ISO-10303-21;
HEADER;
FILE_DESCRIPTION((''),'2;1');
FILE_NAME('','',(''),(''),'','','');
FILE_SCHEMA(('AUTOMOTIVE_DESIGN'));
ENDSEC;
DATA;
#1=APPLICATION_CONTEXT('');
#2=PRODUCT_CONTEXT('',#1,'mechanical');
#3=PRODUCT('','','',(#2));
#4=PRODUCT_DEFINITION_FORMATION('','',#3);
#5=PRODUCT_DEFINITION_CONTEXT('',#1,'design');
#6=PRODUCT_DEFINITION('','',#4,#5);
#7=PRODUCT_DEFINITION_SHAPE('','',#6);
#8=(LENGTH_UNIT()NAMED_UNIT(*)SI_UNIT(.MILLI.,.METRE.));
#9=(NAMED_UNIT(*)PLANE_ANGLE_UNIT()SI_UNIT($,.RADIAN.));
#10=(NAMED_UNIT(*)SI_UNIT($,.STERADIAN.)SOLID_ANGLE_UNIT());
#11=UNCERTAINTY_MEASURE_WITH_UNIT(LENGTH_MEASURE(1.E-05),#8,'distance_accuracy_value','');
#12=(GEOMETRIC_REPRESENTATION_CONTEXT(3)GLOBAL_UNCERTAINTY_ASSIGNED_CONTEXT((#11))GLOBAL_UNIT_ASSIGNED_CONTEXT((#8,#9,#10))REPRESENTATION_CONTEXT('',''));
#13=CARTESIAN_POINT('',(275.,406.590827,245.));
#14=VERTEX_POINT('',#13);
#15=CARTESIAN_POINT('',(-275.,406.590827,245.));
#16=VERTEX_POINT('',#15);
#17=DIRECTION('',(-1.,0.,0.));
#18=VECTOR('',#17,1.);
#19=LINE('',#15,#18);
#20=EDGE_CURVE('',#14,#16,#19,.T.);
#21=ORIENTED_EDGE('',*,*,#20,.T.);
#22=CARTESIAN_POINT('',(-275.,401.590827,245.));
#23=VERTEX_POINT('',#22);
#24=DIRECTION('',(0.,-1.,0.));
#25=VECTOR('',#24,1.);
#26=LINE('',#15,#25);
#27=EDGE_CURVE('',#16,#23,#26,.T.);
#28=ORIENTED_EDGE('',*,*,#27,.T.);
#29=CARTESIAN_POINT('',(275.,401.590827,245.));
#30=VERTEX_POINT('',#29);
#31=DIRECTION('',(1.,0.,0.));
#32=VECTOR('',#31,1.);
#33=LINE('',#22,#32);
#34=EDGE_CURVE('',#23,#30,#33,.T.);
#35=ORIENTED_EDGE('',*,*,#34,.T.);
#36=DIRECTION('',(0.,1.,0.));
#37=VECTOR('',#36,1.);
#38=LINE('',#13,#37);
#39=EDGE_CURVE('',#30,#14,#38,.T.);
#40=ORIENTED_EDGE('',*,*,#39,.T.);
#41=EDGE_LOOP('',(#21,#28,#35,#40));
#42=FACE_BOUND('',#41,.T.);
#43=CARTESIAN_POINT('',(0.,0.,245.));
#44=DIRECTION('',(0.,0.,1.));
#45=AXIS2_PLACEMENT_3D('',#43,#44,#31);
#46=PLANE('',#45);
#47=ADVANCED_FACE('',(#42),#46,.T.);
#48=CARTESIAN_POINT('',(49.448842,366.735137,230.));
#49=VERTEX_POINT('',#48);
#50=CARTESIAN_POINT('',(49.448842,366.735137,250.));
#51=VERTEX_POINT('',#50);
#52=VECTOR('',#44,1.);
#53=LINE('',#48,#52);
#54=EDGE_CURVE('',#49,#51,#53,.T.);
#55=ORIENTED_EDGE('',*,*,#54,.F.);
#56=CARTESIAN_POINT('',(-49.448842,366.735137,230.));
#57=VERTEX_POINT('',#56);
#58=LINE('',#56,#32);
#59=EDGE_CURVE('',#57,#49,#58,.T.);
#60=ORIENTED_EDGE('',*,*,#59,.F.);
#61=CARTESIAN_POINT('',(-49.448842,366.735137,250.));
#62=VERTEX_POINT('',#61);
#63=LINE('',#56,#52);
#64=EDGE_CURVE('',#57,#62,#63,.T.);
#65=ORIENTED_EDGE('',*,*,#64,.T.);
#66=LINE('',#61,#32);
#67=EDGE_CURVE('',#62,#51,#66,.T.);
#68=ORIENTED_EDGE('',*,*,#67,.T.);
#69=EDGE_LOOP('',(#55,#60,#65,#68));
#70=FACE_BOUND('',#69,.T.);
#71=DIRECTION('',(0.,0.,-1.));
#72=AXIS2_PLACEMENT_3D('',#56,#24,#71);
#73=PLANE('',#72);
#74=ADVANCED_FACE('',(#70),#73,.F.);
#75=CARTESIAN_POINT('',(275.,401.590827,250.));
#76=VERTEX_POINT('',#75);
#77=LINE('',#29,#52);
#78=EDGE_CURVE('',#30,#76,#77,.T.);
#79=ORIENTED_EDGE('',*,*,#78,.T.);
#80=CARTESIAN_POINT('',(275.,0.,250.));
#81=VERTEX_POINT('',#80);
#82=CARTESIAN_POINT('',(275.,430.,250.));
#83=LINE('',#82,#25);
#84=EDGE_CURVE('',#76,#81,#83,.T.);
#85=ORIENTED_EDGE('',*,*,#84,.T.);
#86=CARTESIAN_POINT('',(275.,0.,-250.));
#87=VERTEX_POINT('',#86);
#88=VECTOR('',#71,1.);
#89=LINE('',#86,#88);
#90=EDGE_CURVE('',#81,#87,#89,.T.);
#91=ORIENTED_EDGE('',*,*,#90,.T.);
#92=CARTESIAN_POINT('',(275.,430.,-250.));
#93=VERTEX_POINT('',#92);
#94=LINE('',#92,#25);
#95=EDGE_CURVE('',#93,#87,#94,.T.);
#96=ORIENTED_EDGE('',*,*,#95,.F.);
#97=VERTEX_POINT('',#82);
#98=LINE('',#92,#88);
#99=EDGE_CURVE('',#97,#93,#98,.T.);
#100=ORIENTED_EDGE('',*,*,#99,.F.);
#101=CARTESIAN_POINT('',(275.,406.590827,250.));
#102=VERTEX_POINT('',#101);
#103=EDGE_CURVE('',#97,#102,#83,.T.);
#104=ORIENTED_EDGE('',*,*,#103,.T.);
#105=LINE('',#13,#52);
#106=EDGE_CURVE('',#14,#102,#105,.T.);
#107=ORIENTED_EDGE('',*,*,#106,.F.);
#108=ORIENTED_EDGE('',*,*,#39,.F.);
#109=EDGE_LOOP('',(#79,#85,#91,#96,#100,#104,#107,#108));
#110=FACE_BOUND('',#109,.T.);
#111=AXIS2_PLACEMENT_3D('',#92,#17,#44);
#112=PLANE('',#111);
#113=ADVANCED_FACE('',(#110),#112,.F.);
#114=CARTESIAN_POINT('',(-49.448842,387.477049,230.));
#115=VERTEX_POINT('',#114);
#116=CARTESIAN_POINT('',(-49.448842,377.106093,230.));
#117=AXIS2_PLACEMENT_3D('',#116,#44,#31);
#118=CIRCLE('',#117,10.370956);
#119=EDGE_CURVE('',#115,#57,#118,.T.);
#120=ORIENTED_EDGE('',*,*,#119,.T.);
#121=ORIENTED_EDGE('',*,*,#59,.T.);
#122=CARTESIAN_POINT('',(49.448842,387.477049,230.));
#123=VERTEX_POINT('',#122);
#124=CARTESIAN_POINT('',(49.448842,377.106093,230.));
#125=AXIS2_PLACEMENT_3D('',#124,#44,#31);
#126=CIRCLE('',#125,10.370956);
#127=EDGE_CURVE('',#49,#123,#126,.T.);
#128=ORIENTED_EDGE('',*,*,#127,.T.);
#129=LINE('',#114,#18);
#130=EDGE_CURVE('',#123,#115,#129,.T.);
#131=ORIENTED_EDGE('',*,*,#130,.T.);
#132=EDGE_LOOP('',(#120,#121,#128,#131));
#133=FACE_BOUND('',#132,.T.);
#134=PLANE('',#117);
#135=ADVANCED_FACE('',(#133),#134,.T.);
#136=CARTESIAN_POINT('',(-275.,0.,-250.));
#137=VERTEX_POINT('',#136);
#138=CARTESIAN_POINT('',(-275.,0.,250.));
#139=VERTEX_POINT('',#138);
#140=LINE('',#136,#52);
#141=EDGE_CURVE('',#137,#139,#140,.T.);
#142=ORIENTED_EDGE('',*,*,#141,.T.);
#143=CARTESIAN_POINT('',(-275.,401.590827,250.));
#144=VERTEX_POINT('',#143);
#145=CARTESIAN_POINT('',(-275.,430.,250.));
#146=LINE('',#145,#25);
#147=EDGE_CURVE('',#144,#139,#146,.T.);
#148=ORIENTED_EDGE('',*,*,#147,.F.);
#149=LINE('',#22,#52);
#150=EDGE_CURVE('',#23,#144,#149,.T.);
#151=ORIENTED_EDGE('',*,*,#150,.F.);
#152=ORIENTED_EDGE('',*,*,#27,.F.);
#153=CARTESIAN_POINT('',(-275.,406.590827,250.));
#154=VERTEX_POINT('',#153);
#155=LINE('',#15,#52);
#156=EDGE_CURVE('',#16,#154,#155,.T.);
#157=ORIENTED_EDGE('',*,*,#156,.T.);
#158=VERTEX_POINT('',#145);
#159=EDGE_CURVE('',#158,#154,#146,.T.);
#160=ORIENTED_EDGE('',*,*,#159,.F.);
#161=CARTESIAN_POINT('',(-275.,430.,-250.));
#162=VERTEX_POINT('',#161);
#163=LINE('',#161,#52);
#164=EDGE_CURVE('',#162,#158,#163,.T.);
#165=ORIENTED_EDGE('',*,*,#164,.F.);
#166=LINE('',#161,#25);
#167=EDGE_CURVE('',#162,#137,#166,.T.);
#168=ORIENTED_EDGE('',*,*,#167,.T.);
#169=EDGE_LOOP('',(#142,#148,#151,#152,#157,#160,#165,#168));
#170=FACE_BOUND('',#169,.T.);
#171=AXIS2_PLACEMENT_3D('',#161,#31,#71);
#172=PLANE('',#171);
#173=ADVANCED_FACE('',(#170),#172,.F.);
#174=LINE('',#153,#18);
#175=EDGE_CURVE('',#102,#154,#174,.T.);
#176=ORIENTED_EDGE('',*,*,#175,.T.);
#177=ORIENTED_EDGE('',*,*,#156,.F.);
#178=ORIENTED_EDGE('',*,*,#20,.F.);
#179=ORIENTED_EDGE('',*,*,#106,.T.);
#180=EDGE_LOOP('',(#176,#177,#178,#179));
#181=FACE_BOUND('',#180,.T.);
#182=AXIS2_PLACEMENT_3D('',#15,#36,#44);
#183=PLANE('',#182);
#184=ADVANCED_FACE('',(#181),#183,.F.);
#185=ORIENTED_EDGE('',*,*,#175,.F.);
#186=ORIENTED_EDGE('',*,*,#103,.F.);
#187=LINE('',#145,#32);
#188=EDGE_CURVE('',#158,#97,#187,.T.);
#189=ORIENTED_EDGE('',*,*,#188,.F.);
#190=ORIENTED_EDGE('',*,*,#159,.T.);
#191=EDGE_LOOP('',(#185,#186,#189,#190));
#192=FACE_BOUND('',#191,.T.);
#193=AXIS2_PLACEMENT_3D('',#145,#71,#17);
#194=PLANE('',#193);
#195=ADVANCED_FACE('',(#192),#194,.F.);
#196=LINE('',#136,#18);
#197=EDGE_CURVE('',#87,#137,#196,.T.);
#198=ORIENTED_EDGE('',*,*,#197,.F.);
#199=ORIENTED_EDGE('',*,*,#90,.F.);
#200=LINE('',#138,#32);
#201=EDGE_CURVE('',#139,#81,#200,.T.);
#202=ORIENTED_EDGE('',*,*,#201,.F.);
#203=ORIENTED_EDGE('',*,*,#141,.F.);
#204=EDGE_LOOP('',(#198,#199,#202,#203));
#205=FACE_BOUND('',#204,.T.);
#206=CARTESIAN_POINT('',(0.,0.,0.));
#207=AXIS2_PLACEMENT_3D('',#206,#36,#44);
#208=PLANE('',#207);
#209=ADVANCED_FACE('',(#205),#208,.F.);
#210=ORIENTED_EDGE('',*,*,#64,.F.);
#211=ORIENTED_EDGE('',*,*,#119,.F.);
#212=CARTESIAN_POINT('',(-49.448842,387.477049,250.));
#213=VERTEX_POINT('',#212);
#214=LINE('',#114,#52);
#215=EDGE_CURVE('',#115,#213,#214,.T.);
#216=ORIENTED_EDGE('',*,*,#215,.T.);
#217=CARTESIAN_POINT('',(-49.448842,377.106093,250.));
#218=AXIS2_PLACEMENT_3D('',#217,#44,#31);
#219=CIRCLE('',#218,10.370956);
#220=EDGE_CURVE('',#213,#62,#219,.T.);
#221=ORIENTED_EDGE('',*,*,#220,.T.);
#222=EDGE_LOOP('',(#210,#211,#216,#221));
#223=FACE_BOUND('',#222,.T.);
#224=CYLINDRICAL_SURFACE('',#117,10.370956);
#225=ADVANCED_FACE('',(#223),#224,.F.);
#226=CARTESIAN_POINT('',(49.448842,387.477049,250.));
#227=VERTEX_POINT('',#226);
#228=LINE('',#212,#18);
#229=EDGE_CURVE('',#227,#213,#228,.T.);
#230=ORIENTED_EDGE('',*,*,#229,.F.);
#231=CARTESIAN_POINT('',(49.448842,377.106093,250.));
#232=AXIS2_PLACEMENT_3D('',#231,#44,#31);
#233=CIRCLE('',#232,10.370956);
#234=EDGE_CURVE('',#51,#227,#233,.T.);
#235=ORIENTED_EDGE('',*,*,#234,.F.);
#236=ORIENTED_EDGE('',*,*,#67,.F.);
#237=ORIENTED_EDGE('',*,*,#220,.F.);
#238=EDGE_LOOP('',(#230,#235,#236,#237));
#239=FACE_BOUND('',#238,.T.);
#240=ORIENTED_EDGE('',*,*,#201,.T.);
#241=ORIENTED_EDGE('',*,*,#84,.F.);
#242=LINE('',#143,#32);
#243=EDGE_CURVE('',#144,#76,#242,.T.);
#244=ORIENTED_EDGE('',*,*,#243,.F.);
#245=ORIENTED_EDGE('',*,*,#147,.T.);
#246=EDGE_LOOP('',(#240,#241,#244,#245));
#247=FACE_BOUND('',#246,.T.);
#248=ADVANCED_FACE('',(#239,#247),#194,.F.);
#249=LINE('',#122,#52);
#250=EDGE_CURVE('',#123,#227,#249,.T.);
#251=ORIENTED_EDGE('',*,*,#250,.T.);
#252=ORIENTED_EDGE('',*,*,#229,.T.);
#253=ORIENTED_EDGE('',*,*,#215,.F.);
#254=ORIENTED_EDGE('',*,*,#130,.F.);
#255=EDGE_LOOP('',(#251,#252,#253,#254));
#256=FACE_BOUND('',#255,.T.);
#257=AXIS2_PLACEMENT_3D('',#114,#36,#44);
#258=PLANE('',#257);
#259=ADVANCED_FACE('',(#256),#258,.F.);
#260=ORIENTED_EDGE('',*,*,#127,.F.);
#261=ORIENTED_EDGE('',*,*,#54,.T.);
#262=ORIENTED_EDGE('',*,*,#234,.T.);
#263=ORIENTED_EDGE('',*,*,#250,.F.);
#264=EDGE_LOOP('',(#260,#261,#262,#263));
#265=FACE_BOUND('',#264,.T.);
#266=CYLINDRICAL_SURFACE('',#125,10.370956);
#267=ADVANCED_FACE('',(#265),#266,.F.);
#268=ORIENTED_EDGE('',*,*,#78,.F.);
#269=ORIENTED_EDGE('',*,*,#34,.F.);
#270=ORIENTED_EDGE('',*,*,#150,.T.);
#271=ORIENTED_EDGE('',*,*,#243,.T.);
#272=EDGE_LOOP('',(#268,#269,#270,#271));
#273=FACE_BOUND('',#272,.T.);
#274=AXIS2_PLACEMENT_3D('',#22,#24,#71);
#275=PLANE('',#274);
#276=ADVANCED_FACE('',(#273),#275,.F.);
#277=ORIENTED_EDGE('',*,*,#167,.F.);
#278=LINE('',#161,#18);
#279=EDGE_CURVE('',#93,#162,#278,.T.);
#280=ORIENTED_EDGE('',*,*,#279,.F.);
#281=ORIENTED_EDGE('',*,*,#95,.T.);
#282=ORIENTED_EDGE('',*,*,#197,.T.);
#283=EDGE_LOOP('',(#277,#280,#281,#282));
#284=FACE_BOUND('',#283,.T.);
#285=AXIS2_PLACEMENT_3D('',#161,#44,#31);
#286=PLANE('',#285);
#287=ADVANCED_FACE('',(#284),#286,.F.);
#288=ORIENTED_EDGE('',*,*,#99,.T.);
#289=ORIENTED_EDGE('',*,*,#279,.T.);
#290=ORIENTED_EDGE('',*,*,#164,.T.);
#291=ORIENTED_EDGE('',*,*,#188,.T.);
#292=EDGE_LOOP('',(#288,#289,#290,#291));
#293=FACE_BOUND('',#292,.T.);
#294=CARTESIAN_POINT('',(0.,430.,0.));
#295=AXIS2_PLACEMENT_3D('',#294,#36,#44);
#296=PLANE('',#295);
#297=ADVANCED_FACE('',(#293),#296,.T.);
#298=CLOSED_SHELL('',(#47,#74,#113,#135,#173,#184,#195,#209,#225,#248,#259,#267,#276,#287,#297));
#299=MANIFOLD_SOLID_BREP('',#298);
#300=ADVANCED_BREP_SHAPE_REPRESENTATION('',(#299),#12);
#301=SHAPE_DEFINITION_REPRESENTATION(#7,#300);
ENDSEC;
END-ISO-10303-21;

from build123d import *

# Parameters (mm, degrees)
SKETCH1_W           = 550
SKETCH1_H           = 500
BOSS_EXTRUDE1_DEPTH = 430
CUT_EXTRUDE1_DEPTH  = 20
SKETCH3_W           = 550
SKETCH3_H           = 5
CUT_EXTRUDE2_DEPTH  = 5


with BuildPart() as part:
    # Sketch1 → Boss-Extrude1 (new body)
    with BuildSketch(Plane(origin=(0, 0, 0), x_dir=(1, 0, 0), z_dir=(0, 1, 0))):
        Rectangle(SKETCH1_W, SKETCH1_H)
    extrude(amount=BOSS_EXTRUDE1_DEPTH)

    # Sketch2 → Cut-Extrude1 (cut)
    with BuildSketch(Plane.XY.offset(250)):
        with BuildLine():
            Line((-49.448842032, 387.477048559), (49.448842032, 387.477048559))
            ThreePointArc((49.448842032, 387.477048559), (59.819797821, 377.10609277), (49.448842032, 366.735136981))
            Line((49.448842032, 366.735136981), (-49.448842032, 366.735136981))
            ThreePointArc((-49.448842032, 366.735136981), (-59.819797821, 377.10609277), (-49.448842032, 387.477048559))
        make_face()
    extrude(amount=-CUT_EXTRUDE1_DEPTH, mode=Mode.SUBTRACT)

    # Sketch3 → Cut-Extrude2 (cut)
    with BuildSketch(Plane.XY.offset(250)):
        with Locations((0, 404.090827498)):
            Rectangle(SKETCH3_W, SKETCH3_H)
    extrude(amount=-CUT_EXTRUDE2_DEPTH, mode=Mode.SUBTRACT)


solid = part.part
